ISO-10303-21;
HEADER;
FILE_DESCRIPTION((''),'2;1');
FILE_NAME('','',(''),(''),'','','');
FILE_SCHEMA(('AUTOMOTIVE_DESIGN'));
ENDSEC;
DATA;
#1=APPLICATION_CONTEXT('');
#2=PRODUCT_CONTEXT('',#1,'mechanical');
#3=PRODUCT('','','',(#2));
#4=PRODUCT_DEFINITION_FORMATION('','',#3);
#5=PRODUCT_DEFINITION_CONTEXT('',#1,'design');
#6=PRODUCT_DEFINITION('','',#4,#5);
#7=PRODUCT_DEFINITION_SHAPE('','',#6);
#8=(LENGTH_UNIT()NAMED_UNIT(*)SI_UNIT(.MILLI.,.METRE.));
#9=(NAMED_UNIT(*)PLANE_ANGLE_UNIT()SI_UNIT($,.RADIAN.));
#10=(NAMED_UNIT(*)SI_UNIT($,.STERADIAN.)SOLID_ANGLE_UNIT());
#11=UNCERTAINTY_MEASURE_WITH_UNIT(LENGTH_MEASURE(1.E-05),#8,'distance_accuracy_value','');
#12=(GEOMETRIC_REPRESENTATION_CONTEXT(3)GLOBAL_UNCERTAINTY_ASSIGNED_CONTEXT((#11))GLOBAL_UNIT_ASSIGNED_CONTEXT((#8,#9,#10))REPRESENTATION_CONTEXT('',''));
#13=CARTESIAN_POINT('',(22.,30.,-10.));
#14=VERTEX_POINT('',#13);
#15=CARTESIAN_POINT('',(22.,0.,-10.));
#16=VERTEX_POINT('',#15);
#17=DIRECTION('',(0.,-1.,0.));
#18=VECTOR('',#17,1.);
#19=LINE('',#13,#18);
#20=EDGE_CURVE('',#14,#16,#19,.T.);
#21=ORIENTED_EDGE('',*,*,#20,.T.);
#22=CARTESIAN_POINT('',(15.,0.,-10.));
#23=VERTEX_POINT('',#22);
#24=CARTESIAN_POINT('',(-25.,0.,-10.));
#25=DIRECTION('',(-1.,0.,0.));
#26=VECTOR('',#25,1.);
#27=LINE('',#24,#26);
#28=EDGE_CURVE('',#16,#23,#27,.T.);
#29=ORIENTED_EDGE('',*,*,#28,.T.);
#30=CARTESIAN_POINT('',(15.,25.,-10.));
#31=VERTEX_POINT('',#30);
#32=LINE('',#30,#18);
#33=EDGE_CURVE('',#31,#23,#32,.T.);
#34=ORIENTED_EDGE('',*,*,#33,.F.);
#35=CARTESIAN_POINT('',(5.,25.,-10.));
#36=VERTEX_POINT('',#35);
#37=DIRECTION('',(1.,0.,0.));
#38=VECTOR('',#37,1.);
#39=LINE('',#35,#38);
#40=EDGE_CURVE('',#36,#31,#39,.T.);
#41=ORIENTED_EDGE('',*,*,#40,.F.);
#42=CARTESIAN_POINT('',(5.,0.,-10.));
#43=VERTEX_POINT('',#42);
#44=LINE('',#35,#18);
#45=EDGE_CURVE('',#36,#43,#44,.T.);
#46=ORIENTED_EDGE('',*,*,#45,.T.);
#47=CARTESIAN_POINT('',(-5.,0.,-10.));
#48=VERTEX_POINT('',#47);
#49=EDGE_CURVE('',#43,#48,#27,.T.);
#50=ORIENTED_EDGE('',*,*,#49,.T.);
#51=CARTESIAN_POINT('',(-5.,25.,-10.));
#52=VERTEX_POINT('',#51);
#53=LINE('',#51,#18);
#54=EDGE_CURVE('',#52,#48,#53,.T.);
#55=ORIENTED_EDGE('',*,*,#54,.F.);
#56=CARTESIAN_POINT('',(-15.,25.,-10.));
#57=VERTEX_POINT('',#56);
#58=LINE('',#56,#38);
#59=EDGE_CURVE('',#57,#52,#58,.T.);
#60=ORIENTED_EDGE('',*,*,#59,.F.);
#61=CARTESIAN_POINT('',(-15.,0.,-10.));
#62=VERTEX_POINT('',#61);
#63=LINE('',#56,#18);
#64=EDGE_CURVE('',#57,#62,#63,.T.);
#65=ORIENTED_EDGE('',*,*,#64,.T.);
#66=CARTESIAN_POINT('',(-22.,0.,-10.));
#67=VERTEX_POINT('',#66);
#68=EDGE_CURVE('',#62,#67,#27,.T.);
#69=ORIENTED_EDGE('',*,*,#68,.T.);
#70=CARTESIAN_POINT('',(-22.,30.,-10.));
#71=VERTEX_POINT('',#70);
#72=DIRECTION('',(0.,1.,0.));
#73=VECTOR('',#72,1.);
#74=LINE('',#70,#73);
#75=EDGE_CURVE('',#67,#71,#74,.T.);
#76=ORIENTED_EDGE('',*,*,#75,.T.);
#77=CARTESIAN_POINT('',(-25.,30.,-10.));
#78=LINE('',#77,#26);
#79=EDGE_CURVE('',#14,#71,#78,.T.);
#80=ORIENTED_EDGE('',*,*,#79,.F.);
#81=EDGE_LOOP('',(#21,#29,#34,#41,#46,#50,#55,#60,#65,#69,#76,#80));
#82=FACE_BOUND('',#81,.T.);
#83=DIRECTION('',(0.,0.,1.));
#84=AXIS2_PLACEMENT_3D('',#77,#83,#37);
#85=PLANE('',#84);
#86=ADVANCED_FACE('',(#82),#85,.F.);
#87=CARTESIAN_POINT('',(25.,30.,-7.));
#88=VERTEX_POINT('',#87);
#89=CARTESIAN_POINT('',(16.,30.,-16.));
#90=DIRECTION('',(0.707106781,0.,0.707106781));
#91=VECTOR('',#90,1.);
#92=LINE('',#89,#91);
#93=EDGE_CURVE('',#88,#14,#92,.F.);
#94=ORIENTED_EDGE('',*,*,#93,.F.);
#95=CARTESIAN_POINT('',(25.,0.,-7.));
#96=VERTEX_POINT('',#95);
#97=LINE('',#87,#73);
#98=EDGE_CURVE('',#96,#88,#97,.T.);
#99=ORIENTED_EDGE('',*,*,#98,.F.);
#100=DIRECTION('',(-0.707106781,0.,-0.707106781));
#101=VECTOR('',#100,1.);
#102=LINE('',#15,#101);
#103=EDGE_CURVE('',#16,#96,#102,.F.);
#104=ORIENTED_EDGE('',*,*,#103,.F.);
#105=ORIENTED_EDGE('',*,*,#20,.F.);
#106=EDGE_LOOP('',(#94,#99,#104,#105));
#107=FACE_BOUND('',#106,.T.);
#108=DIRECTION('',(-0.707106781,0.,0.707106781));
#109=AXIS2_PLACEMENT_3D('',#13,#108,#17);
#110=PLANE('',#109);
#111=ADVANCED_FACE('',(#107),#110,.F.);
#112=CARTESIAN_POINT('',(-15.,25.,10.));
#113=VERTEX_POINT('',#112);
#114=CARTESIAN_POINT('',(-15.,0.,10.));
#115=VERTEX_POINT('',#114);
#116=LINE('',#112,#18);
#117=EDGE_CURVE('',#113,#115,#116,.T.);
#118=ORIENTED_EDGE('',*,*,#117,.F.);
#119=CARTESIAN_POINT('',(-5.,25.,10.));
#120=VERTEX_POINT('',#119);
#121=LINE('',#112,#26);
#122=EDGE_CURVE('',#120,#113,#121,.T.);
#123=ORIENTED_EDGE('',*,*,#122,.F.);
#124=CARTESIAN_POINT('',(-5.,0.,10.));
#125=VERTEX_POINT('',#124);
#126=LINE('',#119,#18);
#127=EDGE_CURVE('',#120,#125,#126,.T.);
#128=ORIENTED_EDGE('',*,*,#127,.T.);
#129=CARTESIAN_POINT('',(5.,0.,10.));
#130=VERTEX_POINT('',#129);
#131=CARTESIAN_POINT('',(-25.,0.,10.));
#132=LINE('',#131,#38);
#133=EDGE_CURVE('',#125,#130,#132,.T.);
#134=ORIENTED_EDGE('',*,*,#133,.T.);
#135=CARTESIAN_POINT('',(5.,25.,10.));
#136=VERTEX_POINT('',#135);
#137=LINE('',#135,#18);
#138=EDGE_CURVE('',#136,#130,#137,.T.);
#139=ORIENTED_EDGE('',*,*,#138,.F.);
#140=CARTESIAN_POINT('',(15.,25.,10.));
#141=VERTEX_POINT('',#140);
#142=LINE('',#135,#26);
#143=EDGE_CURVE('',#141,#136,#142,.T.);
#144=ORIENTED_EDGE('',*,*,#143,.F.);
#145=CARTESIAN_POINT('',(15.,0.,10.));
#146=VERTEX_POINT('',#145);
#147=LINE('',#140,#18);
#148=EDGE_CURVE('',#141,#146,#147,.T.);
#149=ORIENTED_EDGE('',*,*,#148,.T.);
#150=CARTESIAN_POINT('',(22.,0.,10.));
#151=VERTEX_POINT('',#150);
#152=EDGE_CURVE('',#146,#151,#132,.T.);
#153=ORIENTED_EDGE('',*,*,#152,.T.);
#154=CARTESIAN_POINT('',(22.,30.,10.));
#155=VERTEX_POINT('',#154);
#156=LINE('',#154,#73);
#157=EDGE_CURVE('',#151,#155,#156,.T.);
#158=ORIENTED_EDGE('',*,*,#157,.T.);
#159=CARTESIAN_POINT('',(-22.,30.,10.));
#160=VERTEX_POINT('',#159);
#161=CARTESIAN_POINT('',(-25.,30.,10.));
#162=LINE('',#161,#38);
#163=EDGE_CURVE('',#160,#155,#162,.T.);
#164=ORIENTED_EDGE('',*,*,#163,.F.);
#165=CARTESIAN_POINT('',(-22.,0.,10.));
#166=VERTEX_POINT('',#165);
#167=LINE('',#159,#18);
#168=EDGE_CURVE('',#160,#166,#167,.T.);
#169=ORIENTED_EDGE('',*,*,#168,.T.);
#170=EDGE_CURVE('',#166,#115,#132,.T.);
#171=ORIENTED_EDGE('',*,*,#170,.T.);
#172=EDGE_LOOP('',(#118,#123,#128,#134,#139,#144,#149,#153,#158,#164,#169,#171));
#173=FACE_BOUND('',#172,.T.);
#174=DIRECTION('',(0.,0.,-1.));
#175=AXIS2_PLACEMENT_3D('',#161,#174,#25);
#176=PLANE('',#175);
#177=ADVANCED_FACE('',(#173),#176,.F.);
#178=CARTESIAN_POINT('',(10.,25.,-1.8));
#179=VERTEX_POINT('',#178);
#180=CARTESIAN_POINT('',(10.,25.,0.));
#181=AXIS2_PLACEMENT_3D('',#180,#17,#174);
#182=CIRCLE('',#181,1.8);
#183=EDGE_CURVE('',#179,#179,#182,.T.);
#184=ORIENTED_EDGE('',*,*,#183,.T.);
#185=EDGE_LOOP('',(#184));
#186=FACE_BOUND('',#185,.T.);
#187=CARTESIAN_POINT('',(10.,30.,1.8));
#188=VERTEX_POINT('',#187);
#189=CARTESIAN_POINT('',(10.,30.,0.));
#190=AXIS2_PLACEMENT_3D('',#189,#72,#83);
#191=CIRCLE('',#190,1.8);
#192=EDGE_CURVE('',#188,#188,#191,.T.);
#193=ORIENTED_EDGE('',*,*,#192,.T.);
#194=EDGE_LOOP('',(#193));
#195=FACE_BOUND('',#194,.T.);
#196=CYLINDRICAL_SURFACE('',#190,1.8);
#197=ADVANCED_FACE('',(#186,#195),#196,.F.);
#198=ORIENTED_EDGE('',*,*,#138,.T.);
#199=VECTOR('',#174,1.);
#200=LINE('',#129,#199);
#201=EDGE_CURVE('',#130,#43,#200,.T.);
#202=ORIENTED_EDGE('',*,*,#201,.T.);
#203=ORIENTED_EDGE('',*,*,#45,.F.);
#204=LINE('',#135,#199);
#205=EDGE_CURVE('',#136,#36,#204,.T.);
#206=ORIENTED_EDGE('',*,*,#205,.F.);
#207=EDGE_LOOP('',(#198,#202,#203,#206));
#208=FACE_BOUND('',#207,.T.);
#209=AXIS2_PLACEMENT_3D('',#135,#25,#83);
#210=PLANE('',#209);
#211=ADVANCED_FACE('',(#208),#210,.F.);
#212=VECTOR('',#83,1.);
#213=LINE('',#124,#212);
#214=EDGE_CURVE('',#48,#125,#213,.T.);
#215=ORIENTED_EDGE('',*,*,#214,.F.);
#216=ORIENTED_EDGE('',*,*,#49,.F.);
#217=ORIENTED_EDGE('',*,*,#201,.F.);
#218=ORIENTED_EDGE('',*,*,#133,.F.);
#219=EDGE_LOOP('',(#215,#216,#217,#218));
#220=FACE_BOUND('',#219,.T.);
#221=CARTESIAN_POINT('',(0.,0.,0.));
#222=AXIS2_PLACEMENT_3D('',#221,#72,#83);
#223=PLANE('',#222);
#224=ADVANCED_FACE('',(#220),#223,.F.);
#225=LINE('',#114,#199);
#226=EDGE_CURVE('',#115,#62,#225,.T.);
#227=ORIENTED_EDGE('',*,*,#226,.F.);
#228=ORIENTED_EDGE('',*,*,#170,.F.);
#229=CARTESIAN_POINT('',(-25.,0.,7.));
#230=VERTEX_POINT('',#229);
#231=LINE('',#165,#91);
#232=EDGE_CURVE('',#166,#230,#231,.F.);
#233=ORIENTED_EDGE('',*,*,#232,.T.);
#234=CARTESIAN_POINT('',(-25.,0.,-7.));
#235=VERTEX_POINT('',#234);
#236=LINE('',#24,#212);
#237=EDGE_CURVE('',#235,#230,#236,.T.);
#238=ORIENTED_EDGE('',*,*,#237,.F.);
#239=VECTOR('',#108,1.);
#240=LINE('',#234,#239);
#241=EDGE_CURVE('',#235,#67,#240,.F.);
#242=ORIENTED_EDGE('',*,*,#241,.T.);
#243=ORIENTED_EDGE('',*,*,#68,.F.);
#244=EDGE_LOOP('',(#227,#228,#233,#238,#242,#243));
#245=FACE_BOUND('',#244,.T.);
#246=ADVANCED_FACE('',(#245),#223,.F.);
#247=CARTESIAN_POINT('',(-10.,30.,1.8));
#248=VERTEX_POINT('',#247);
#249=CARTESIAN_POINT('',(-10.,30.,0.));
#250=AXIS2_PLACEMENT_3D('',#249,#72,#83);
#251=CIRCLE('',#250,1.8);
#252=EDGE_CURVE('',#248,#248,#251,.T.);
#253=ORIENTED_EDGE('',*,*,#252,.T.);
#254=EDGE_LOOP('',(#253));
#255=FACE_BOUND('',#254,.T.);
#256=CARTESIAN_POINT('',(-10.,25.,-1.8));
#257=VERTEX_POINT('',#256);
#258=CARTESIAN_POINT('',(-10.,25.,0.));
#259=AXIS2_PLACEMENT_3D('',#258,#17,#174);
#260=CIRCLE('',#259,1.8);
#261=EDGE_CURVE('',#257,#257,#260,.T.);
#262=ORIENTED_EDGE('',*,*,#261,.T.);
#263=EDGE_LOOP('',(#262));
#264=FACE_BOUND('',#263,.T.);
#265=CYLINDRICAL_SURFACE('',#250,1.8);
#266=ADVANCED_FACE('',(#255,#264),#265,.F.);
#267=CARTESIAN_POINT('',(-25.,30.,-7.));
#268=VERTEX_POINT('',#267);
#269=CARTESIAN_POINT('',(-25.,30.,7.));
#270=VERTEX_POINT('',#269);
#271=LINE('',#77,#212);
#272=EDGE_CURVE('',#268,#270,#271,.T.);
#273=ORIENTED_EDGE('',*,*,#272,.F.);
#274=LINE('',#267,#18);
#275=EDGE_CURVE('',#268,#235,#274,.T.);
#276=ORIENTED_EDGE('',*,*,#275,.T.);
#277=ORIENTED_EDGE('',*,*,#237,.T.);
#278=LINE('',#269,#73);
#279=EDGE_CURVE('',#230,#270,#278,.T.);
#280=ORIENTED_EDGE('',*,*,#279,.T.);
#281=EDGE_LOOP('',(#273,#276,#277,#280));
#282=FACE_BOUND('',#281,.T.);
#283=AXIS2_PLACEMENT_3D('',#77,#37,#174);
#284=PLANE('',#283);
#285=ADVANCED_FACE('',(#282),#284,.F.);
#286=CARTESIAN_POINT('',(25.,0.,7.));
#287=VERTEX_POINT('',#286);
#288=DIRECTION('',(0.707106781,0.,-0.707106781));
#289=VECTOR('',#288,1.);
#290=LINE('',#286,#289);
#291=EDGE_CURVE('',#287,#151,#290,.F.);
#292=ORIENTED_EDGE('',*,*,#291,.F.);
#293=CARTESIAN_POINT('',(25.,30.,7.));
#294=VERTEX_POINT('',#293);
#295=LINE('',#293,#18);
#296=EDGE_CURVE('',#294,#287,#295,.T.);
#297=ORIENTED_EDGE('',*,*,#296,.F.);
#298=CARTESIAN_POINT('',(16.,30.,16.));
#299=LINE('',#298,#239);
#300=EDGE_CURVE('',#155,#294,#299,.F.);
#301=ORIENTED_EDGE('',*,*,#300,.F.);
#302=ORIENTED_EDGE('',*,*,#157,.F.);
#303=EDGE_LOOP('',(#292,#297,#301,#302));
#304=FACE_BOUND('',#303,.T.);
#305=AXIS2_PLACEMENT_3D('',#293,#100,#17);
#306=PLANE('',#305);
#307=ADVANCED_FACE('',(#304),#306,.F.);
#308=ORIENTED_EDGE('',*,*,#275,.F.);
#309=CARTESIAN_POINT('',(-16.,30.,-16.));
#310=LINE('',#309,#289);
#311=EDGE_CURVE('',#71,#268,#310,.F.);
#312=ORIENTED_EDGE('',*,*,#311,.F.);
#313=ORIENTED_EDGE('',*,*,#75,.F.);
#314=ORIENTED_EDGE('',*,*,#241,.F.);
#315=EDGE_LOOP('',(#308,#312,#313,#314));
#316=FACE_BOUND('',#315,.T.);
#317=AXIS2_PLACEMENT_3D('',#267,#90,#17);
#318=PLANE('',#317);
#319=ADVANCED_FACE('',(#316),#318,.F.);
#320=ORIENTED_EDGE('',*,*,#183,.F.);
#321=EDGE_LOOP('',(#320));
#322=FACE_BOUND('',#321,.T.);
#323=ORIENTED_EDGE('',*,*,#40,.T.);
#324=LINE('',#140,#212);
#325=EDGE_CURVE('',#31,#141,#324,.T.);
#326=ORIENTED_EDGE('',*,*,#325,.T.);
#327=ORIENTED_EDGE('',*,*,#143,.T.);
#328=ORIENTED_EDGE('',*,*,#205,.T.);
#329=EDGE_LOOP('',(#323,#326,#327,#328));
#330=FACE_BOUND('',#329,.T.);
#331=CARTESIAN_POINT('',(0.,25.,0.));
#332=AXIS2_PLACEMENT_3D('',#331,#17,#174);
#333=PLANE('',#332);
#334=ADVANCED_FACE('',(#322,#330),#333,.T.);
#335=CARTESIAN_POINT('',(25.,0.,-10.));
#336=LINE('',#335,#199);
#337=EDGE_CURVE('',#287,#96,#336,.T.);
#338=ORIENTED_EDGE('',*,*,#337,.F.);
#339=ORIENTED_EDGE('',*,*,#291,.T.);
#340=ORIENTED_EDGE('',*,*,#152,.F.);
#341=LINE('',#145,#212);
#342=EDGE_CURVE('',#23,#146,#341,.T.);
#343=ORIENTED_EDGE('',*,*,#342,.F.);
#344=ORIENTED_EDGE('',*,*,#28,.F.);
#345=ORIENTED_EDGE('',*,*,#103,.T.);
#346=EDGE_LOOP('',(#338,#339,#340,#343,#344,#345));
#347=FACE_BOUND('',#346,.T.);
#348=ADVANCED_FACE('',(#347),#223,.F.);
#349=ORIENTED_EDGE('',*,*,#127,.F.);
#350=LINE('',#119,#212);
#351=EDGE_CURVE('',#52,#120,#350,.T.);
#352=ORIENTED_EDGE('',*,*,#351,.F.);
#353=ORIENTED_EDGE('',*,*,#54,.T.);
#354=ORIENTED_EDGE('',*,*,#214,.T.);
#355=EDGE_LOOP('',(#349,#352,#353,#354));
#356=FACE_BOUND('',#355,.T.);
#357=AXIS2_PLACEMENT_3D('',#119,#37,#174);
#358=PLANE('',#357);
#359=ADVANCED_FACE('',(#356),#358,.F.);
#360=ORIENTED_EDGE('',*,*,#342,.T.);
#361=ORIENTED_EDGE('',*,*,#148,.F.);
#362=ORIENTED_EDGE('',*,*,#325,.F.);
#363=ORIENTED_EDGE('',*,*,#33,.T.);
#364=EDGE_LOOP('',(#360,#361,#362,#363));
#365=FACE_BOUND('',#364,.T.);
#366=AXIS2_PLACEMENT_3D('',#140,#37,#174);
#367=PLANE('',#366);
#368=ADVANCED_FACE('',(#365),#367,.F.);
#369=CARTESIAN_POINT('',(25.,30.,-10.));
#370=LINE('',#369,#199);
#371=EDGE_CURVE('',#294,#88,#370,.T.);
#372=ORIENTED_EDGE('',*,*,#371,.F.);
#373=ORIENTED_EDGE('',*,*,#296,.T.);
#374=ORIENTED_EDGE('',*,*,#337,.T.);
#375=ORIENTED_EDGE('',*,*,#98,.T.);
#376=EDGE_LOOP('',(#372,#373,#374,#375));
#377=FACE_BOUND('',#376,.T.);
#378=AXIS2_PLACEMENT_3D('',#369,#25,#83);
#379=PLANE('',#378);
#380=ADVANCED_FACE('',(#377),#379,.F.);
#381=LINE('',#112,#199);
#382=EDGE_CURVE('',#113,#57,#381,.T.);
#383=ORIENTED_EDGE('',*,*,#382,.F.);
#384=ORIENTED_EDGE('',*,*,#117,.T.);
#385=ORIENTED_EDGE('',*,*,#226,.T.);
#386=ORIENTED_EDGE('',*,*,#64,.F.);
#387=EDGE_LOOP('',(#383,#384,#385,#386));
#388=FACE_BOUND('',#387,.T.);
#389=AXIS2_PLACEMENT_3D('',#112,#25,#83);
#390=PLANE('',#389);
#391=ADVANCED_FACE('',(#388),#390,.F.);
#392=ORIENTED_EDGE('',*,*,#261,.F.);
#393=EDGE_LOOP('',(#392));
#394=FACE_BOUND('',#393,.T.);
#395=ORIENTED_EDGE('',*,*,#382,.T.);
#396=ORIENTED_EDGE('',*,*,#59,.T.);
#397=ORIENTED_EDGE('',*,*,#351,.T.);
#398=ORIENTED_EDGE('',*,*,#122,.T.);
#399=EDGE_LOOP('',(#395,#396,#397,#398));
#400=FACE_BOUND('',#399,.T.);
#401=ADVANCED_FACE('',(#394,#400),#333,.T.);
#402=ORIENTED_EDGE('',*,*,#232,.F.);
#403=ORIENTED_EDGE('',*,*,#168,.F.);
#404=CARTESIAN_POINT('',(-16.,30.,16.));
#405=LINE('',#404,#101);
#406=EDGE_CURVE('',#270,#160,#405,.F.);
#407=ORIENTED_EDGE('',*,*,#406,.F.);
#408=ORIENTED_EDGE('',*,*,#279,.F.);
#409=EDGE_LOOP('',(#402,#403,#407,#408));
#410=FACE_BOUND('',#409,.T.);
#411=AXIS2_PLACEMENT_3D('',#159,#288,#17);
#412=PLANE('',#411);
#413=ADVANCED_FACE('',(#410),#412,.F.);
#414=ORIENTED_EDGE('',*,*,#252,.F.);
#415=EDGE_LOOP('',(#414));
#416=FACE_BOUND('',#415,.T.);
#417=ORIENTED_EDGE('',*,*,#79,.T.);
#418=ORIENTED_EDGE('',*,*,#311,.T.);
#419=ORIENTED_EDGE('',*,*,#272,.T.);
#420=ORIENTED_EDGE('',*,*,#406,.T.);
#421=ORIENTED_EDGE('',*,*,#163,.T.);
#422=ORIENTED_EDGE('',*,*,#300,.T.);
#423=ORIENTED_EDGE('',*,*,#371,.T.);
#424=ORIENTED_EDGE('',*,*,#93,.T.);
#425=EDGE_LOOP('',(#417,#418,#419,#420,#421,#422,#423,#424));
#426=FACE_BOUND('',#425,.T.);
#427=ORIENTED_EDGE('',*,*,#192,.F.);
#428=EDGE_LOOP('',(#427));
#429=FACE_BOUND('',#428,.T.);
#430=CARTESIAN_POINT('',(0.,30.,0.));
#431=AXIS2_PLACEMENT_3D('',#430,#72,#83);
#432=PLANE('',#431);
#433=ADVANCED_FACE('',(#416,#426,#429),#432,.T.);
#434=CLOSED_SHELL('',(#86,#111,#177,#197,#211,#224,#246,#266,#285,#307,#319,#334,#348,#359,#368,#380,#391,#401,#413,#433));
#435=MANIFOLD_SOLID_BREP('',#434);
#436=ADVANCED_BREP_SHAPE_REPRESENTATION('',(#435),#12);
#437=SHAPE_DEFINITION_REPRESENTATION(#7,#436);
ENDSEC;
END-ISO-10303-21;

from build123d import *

# Parameters (mm, degrees)
SKIZZE1_W                       = 50
SKIZZE1_H                       = 20
AUFSATZ_LINEAR_AUSTRAGEN1_DEPTH = 30
SKIZZE2_W                       = 10
SKIZZE2_H                       = 20
SCHNITT_LINEAR_AUSTRAGEN1_DEPTH = 25
DURCHGANGSLOCH_F_R_M31_D        = 3.6
FASE1_SIZE                      = 3


with BuildPart() as part:
    # Skizze1 → Aufsatz-Linear austragen1 (new body)
    with BuildSketch(Plane(origin=(0, 0, 0), x_dir=(1, 0, 0), z_dir=(0, 1, 0))):
        Rectangle(SKIZZE1_W, SKIZZE1_H)
    extrude(amount=AUFSATZ_LINEAR_AUSTRAGEN1_DEPTH)

    # Skizze2 → Schnitt-Linear austragen1 (cut)
    with BuildSketch(Plane.XZ):
        with Locations((-10, 0)):
            Rectangle(SKIZZE2_W, SKIZZE2_H)
        with Locations((10, 0)):
            Rectangle(SKIZZE2_W, SKIZZE2_H)
    extrude(amount=-SCHNITT_LINEAR_AUSTRAGEN1_DEPTH, mode=Mode.SUBTRACT)

    # Durchgangsloch für M31 (through all)
    with Locations(Plane(origin=(0, 30, 0), x_dir=(1, 0, 0), z_dir=(0, 1, 0))):
        with Locations((-10, 0), (10, 0)):
            Hole(DURCHGANGSLOCH_F_R_M31_D / 2)

    # Fase1
    fase1_edges = [part.edges().sort_by_distance(p)[0] for p in [
        (-25, 15, -10),
        (25, 15, -10),
        (25, 15, 10),
        (-25, 15, 10),
    ]]
    chamfer(fase1_edges, length=FASE1_SIZE)


solid = part.part
